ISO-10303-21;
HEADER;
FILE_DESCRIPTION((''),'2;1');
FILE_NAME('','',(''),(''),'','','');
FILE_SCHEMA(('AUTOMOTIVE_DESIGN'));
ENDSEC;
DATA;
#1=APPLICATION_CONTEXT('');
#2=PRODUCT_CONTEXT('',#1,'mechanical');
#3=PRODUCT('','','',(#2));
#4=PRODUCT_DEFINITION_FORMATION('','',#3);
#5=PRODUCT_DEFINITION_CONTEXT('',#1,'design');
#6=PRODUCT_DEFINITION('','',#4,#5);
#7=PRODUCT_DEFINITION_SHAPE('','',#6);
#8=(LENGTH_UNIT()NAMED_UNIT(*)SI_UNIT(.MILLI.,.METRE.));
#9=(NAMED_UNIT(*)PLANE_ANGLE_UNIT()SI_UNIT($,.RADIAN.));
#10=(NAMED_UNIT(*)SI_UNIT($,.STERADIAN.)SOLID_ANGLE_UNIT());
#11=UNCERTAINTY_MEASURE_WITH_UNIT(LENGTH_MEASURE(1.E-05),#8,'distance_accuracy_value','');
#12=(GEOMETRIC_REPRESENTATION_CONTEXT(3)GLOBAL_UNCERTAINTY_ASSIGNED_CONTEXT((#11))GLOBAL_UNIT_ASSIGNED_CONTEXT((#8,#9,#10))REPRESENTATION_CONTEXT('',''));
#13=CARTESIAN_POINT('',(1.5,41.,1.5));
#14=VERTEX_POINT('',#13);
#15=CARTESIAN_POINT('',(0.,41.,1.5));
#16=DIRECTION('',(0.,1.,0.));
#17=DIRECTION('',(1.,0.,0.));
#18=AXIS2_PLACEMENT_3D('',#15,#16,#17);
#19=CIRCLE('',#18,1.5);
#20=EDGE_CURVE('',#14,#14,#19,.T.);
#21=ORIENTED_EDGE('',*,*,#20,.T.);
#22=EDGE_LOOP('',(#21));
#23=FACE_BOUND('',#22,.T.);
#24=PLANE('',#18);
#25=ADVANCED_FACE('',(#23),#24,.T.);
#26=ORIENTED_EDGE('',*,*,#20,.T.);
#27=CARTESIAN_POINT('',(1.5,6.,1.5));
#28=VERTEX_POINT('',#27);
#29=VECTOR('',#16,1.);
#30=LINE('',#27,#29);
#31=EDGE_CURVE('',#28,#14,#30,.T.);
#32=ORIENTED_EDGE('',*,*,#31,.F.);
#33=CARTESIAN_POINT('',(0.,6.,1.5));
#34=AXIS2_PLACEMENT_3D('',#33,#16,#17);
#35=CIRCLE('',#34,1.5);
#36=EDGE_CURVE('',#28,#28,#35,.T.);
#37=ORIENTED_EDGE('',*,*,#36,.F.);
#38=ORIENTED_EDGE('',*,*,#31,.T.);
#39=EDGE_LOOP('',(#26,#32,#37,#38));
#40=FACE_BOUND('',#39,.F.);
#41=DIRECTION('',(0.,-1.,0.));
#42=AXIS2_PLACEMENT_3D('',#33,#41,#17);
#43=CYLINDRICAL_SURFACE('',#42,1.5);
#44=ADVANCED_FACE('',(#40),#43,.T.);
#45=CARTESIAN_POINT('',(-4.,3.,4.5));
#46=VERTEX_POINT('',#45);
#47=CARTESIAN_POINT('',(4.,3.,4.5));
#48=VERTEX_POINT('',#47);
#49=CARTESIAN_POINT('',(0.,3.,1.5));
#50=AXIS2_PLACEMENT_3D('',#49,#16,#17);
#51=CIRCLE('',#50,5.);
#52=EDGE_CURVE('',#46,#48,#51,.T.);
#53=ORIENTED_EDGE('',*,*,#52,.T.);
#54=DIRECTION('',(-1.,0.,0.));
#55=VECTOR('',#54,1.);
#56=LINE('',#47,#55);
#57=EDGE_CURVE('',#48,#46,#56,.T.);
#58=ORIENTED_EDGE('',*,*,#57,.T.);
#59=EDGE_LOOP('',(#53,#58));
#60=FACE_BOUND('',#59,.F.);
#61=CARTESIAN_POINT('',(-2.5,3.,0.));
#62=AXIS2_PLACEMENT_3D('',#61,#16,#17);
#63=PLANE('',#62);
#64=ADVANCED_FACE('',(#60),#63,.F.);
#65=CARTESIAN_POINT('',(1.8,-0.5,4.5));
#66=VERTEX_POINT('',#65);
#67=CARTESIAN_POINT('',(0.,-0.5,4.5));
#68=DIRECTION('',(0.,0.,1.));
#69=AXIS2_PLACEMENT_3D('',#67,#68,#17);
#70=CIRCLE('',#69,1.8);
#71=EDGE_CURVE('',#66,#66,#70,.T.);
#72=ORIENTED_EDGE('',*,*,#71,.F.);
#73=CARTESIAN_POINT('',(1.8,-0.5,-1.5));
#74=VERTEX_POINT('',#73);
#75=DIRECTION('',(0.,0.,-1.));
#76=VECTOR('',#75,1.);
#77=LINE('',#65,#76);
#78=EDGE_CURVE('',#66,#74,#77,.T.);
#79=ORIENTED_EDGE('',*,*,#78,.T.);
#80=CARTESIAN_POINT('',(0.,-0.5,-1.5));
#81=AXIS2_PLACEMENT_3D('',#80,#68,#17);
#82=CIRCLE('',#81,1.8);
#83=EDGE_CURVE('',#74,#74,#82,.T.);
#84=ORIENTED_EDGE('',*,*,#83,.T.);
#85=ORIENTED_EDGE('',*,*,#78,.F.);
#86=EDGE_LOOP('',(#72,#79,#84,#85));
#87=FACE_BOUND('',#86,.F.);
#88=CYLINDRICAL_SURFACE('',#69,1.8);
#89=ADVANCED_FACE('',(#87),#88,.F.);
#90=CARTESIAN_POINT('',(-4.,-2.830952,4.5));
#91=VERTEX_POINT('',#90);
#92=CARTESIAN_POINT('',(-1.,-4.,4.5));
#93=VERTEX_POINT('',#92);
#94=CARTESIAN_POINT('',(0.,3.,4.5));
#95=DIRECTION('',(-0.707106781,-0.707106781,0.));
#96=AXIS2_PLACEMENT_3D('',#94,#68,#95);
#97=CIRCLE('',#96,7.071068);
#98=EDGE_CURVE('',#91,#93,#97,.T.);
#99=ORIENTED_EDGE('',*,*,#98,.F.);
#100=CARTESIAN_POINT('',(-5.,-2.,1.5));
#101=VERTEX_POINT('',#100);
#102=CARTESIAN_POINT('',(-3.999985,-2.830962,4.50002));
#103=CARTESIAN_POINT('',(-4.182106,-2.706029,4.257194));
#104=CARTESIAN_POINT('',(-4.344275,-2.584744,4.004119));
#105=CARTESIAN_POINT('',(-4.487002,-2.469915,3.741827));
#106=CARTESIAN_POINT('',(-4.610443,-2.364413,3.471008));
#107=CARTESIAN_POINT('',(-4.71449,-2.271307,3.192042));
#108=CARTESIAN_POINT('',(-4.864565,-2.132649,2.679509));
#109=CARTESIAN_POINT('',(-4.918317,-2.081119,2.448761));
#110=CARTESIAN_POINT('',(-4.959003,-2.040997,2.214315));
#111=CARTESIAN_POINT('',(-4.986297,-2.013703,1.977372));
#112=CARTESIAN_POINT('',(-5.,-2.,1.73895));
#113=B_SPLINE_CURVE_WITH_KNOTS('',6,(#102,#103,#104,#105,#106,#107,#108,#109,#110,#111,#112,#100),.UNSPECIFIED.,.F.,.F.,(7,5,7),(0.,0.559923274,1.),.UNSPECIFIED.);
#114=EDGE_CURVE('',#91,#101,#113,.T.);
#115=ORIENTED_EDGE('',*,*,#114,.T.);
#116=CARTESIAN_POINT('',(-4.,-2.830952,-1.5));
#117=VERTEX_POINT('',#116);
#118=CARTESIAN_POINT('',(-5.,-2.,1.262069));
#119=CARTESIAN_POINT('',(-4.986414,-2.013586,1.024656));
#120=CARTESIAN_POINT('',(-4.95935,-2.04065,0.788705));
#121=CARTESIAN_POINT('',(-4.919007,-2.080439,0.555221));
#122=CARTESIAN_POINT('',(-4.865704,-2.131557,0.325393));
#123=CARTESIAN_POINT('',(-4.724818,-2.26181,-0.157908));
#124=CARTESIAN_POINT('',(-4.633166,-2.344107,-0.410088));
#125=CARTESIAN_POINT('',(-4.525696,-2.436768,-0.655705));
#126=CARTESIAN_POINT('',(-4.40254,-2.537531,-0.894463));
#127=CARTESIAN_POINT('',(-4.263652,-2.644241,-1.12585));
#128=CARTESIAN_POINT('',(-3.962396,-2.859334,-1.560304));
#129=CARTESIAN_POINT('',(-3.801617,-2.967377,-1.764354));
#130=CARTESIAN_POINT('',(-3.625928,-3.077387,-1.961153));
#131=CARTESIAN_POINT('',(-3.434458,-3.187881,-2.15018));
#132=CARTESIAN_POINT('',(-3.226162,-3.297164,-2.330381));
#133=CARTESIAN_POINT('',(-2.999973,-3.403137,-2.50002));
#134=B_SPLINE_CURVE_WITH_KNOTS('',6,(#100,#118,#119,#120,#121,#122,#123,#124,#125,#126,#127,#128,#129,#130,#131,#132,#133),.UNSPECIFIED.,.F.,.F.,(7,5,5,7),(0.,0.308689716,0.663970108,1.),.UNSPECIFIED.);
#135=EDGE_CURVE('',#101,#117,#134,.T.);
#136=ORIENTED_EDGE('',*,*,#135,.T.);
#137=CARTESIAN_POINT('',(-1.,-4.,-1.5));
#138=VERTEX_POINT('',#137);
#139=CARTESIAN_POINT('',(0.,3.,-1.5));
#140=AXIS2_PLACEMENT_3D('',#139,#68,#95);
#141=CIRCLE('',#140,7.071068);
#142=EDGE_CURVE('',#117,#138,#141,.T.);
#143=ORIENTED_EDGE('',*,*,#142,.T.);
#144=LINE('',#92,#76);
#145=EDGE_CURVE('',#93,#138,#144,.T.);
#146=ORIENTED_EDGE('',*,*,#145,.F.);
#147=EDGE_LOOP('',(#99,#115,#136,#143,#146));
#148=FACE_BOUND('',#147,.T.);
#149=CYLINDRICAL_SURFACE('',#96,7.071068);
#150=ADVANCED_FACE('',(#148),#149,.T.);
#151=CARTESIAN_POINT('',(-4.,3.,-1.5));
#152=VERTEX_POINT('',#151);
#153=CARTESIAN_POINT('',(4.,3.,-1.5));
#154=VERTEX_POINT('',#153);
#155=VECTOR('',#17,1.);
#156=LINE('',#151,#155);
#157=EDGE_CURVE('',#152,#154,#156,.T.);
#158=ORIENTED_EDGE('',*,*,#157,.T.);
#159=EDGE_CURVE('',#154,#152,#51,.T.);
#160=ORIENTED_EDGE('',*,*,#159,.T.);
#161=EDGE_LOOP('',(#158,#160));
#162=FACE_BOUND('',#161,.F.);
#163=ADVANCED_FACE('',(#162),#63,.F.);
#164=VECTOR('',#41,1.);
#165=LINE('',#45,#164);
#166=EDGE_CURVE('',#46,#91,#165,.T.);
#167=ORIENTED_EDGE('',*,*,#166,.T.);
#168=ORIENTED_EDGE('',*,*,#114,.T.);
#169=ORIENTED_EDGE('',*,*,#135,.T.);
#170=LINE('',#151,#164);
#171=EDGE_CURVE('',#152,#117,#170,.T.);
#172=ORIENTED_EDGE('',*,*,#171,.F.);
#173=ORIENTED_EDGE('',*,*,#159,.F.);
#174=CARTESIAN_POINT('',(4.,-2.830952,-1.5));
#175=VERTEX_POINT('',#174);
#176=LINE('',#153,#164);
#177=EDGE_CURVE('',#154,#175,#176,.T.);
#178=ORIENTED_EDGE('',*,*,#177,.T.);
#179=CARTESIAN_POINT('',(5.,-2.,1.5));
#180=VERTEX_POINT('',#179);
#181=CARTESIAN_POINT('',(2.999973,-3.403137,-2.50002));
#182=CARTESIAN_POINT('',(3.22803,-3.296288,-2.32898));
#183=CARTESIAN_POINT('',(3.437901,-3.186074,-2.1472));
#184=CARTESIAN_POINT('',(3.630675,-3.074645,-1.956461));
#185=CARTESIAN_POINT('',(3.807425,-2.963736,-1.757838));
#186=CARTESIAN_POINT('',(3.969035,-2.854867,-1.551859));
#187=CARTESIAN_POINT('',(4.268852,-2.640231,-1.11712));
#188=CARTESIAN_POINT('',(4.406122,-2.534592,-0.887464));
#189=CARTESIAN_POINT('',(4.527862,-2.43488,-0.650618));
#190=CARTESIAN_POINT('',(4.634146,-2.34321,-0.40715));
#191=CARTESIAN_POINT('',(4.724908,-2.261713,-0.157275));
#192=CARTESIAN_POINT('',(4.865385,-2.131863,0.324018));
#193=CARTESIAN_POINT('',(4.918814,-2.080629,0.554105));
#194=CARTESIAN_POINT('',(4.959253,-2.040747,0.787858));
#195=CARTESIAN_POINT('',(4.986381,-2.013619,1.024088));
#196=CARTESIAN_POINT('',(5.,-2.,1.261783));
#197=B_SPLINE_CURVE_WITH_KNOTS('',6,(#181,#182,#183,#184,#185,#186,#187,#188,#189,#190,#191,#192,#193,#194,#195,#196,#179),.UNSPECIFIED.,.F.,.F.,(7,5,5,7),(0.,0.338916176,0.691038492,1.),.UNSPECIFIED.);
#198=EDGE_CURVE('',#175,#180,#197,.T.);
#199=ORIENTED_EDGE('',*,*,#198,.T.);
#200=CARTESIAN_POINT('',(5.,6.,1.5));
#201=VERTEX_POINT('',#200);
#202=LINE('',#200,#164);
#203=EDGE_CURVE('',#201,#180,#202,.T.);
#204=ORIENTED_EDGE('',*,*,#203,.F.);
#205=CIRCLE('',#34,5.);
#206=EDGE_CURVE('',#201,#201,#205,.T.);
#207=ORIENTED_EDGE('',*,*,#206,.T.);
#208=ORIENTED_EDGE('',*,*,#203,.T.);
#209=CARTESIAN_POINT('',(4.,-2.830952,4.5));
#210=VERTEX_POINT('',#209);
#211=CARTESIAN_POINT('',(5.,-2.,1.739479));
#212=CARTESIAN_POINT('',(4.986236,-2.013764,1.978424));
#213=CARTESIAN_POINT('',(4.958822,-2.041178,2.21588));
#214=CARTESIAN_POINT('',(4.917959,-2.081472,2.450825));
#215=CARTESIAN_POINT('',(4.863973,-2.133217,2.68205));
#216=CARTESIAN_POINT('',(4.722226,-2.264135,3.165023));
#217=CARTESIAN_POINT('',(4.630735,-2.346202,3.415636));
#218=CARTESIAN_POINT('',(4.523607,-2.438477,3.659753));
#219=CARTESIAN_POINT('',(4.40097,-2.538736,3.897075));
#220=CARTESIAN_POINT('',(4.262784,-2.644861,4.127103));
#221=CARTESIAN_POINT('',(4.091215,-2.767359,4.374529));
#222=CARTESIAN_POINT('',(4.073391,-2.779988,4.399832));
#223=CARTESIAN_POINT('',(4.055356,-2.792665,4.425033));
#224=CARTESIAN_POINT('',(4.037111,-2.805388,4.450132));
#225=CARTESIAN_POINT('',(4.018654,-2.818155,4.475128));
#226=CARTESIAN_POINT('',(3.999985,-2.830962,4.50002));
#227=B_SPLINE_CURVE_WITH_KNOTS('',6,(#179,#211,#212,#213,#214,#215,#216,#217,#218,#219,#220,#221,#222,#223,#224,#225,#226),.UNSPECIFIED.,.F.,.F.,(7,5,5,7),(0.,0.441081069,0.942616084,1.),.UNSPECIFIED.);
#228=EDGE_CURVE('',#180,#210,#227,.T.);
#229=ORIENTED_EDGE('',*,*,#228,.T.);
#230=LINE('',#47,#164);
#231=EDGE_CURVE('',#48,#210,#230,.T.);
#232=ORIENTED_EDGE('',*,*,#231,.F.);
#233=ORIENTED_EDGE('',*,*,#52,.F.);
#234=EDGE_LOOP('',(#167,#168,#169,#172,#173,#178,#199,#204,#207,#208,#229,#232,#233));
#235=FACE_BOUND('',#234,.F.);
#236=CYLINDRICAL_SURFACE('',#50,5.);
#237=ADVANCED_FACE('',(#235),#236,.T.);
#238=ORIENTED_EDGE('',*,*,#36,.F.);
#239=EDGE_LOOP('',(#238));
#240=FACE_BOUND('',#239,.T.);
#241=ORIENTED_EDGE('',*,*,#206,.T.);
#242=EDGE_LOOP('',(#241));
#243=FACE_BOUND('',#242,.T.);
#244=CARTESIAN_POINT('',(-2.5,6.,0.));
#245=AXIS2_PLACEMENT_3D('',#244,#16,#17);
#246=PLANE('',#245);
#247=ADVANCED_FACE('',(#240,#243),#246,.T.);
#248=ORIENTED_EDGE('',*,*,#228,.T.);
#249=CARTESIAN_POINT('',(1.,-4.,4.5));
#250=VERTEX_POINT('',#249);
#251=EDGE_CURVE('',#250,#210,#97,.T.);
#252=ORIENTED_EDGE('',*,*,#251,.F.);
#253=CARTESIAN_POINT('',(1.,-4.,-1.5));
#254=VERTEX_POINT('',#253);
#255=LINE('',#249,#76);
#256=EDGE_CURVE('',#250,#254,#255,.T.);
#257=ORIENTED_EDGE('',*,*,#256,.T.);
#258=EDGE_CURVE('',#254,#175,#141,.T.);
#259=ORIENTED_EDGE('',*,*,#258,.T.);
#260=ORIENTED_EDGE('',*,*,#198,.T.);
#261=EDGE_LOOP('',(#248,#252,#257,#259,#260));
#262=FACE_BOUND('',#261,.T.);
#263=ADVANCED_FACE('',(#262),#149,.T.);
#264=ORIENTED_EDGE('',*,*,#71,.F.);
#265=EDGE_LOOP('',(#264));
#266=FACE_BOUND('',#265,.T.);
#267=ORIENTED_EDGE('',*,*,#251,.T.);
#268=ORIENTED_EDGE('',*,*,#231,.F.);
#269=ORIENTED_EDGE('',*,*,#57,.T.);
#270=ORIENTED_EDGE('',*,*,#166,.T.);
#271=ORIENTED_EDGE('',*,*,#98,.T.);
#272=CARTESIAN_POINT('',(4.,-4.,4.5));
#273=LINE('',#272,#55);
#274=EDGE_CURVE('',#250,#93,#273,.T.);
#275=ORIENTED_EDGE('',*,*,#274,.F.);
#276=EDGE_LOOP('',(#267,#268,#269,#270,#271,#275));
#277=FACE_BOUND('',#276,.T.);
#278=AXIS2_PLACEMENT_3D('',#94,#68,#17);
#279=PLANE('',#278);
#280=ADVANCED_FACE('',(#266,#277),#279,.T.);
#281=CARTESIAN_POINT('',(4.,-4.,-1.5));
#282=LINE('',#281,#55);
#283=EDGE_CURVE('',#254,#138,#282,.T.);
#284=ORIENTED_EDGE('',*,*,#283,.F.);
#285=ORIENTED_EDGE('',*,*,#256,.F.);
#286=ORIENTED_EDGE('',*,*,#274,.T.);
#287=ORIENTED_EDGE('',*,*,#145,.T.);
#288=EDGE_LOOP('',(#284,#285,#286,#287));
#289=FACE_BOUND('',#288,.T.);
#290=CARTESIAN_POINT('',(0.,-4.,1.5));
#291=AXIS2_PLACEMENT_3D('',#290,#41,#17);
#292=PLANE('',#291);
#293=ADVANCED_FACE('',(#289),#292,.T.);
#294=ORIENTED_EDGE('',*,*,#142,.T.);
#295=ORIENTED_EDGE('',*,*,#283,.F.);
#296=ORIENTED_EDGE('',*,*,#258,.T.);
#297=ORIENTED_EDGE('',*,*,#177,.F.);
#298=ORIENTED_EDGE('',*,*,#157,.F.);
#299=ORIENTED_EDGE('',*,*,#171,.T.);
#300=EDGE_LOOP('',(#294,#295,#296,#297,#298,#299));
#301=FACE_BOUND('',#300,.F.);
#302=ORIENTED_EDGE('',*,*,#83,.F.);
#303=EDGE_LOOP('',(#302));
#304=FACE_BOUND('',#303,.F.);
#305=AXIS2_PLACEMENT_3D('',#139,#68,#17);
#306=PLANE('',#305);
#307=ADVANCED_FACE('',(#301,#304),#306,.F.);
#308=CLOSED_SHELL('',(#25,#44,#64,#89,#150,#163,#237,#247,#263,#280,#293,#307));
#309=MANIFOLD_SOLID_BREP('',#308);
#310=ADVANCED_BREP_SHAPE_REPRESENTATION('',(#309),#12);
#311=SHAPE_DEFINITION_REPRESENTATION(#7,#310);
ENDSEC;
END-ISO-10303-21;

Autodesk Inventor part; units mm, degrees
ref_plane "YZ Plane" through (0, 0, 0) normal (1, 0, 0) x (0, 1, 0)
ref_plane "XZ Plane" through (0, 0, 0) normal (0, 1, 0) x (-1, 0, 0)
ref_plane "Work Plane1" through (-2.5, 3, 0) normal (0, 1, 0) x (1, 0, 0)
sketch "草圖8" plane through (-2.5, 3, 0) normal (0, 1, 0) x (1, 0, 0)
  circle A0 centre (2.5, -1.5) radius 5
  point P0 (2.5, 0)
  point P1 (2.5, 0)
  dimension "d26" = 10
extrude "擠出6" add sketch "草圖8" along normal blind 3
sketch "草圖9" plane through (0, 6, 1.5) normal (0, 1, 0) x (1, 0, 0)
  circle A0 centre (0, 0) radius 1.5
  point P0 (0, 1.5)
  dimension "d29" = 3
extrude "擠出7" add sketch "草圖9" along normal blind 35
sketch "Sketch10" plane through (0, 3, 1.5) normal (0, -1, 0) x (1, 0, 0)
  line L0 (0, 0) -> (0, 3) construction
  circle A0 centre (0, 0) radius 5 projected
  line L1 (0, 3) -> (-4, 3)
  line L2 (0, 3) -> (4, 3)
  line L3 (0, 0) -> (0, -3) construction
  line L4 (0, -3) -> (-4, -3)
  line L5 (0, -3) -> (4, -3)
  point P0 (0, -1.5)
  dimension "d34" = 3
  dimension "d35" = 3
extrude "Extrusion8" add sketch "Sketch10" along normal blind 7 contours A0 L5 L4 L1 L2
sketch "Sketch11" plane through (-4, 3, 4.5) normal (0, 0, 1) x (1, 0, 0)
  line L0 (0, 0) -> (8, 0) construction
  line L1 (4, 0) -> (4, -3.5) construction
  circle A0 centre (4, -3.5) radius 1.8
  line L2 (-1, -7) -> (-1, 3) construction
  line L3 (-1, 0) -> (-1, -5) construction
  line L4 (9, -7) -> (9, 3) construction
  line L5 (9, 0) -> (9, -5) construction
  arc A1 (-1, -5) -> (9, -5) centre (4, 0) ccw
  line L6 (-1, -7) -> (0, -7) projected
  line L7 (-1, -5) -> (-1, -7)
  line L8 (8, -7) -> (9, -7) projected
  line L9 (9, -7) -> (9, -5)
  line L10 (-1, -7) -> (3, -7)
  line L11 (8, -7) -> (0, -7) projected
  line L12 (9, -7) -> (5, -7)
  point P0 (4, -3)
  dimension "d38" = 3.5
  dimension "d39" = 3.6
  dimension "d40" = 5
extrude "Extrusion9" cut sketch "Sketch11" against normal through all contours A0
extrude "Extrusion10" cut sketch "Sketch11" against normal blind 7 contours A1 L9 L8 L11 | A1 L10 L6 L7
equation "\"d41\" = d38"
properties part number "避震"
